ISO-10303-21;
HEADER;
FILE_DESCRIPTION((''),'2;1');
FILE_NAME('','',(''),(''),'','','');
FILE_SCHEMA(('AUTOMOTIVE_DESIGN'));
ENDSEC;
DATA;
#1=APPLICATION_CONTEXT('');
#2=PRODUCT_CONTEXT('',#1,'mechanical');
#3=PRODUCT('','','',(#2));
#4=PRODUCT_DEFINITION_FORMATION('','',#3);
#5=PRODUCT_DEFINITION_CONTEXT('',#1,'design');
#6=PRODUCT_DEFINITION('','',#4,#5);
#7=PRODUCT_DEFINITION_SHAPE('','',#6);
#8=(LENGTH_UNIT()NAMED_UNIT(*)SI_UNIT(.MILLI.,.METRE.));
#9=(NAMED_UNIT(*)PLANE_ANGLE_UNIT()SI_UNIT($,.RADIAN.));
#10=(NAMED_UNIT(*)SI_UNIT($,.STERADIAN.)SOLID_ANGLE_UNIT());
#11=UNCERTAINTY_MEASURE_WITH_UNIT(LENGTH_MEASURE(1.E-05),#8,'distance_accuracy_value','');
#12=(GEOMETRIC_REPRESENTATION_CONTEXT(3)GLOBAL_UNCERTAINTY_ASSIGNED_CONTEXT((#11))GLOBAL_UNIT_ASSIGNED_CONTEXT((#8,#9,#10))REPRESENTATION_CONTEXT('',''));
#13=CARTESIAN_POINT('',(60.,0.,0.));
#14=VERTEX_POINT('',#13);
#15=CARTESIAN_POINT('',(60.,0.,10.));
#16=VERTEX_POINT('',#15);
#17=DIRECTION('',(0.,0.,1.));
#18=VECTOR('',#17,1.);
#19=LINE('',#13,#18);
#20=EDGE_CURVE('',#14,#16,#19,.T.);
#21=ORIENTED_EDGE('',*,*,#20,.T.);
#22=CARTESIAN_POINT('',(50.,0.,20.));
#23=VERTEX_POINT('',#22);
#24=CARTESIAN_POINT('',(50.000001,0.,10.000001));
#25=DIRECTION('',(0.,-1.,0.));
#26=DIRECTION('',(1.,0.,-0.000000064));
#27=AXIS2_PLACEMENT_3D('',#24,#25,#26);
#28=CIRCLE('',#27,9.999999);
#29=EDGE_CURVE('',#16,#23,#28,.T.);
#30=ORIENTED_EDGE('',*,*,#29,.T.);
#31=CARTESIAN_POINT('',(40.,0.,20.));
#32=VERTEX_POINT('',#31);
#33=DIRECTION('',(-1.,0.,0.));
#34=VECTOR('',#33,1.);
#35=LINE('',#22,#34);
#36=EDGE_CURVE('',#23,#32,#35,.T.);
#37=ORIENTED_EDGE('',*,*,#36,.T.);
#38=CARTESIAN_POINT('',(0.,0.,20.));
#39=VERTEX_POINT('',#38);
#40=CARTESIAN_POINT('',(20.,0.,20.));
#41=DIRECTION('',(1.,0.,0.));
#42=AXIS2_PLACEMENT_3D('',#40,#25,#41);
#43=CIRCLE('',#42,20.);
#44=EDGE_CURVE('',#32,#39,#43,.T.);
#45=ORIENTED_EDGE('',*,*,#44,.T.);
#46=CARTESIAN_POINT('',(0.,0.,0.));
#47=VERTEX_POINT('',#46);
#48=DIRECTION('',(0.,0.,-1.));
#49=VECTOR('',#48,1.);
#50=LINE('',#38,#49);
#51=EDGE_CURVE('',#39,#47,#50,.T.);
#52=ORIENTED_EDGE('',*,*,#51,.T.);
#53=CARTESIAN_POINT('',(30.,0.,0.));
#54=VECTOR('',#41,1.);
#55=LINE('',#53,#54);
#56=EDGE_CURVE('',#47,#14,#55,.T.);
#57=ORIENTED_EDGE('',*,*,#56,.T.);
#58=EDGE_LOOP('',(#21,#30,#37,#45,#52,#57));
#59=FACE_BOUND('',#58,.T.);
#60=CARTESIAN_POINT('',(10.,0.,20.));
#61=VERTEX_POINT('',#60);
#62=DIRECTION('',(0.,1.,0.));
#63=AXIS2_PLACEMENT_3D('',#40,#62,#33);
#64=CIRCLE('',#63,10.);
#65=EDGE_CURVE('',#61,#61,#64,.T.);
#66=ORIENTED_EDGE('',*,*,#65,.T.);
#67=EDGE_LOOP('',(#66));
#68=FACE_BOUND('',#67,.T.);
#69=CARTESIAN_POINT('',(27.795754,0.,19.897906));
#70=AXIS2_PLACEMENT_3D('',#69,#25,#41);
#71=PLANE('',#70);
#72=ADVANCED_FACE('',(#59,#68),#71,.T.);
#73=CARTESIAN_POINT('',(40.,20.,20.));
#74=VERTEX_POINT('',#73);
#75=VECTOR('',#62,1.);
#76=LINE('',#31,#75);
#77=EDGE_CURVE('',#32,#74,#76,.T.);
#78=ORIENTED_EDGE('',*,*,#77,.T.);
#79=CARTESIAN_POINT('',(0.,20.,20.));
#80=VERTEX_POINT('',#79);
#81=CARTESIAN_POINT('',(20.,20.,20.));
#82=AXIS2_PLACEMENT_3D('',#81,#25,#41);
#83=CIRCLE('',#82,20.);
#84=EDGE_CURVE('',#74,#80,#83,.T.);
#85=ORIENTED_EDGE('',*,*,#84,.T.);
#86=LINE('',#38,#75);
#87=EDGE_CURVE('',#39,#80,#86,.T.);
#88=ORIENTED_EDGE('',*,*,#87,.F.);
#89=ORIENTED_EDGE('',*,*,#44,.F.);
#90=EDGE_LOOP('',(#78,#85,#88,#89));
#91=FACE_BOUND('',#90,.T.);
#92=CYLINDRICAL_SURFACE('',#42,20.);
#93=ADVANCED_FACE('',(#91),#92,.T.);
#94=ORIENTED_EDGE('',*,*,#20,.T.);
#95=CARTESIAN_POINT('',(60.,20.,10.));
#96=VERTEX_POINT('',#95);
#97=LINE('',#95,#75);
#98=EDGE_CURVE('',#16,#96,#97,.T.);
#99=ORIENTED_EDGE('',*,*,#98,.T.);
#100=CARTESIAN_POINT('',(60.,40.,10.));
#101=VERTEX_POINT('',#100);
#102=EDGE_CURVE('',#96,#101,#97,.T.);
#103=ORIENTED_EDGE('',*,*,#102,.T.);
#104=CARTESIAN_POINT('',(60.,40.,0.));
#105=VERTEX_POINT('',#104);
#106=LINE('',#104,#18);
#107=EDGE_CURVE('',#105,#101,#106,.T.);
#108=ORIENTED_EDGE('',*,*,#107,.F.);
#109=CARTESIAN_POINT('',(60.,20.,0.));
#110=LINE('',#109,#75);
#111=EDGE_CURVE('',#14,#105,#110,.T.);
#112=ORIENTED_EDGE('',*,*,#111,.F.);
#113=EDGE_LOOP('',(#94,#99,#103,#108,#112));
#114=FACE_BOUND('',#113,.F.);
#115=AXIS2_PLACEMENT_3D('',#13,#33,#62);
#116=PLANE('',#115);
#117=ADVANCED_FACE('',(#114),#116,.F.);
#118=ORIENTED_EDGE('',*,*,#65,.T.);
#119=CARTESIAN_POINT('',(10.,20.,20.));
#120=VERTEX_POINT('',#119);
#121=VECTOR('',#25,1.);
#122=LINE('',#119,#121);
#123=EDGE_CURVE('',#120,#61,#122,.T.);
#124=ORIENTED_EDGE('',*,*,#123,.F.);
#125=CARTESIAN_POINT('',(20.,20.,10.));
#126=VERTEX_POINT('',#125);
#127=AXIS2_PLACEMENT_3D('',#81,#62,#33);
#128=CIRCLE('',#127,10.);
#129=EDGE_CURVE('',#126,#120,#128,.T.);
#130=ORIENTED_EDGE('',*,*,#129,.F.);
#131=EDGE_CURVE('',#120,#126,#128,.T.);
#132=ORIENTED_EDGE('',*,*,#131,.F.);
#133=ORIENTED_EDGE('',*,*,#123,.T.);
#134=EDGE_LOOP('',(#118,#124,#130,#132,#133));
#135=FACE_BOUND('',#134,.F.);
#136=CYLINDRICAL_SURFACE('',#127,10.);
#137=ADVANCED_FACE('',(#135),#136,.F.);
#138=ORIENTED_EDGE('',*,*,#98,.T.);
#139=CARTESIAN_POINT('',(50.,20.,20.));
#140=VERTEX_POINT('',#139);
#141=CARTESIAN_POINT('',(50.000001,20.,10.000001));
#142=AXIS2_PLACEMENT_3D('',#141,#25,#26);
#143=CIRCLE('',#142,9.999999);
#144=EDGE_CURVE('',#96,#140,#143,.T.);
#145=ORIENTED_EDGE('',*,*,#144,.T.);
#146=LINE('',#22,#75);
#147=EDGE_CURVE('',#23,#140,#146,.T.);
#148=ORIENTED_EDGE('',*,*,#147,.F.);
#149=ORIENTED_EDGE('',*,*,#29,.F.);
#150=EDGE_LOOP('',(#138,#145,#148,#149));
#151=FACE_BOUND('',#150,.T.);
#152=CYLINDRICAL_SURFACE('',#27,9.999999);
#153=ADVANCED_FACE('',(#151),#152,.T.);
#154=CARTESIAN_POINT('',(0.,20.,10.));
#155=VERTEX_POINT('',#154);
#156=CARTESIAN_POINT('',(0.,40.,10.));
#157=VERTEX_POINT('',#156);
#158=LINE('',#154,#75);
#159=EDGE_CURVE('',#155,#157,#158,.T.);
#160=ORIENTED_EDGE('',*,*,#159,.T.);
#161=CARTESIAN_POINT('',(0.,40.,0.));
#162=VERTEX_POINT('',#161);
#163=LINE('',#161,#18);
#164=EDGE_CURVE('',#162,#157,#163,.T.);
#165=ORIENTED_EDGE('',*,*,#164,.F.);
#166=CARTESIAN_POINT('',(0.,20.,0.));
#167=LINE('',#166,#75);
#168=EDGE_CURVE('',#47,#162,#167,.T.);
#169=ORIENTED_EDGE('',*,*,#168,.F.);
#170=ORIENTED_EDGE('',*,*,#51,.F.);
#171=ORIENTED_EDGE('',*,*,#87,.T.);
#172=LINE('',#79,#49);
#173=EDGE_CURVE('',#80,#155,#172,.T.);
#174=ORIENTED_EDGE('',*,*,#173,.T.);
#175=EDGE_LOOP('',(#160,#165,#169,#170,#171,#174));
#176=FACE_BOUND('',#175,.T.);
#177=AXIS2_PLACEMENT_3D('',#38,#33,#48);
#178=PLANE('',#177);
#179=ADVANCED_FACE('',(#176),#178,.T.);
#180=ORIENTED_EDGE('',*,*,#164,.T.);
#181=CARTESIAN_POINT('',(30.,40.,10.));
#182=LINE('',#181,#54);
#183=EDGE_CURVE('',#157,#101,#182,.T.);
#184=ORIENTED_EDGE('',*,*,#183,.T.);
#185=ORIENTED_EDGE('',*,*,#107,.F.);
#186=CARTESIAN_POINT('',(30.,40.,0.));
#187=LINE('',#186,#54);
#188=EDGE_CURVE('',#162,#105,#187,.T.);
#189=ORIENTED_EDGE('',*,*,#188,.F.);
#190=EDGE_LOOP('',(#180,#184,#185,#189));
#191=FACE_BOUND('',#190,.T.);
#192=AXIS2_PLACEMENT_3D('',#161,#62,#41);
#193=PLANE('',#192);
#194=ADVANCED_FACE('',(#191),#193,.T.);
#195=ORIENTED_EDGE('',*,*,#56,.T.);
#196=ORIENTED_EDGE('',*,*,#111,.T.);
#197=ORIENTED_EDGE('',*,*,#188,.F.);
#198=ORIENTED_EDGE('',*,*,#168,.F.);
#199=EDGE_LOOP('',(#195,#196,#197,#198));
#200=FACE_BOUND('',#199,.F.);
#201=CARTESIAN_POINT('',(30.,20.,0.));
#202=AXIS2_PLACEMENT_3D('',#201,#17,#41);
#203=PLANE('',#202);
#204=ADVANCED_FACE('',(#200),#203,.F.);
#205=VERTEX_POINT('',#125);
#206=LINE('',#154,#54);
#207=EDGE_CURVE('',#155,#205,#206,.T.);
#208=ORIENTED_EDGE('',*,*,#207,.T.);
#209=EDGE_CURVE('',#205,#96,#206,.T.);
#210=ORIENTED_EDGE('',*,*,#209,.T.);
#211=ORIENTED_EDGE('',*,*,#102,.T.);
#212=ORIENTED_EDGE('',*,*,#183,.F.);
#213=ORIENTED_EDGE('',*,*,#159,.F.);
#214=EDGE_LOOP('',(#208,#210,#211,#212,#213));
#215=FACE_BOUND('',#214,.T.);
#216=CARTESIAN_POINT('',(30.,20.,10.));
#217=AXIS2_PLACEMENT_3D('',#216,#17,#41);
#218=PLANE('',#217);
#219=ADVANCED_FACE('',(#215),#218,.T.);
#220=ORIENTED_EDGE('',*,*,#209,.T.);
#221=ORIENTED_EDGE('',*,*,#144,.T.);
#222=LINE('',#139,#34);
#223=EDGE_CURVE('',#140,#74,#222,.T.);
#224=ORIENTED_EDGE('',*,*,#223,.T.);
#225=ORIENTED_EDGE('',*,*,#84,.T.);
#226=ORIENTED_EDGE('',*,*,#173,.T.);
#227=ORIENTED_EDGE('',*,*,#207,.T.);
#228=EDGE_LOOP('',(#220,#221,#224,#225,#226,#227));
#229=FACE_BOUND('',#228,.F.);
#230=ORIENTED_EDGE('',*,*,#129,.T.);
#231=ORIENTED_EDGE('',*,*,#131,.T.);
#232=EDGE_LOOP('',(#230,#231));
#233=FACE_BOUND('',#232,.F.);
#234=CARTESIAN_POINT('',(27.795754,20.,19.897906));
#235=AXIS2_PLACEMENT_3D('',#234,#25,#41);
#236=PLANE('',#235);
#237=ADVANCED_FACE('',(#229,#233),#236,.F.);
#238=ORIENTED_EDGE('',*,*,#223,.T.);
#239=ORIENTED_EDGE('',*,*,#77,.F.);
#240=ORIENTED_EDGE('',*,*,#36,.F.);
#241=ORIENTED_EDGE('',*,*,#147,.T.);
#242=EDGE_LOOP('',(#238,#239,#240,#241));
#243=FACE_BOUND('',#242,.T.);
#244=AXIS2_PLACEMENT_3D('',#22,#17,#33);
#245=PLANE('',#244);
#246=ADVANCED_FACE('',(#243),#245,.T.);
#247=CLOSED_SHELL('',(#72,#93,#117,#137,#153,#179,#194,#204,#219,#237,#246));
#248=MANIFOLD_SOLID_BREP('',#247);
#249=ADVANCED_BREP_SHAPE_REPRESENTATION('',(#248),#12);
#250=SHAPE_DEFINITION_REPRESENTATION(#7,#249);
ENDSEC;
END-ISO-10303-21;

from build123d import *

# Parameters (mm, degrees)
F0_W     = 60
F0_H     = 40
F1_DEPTH = 10
F3_DEPTH = 20
F4_R     = 10
F5_DEPTH = 25


with BuildPart() as f1:
    # F0 (on Top) → F1 (new body)
    with BuildSketch(Plane.XY):
        with Locations((30, 20)):
            Rectangle(F0_W, F0_H)
    extrude(amount=F1_DEPTH)

    # F2 (on face) → F3 (join)
    with BuildSketch(Plane.XZ):
        with BuildLine():
            Line((50, 20), (40, 20))
            ThreePointArc((40, 20), (20, 40), (0, 20))
            Line((0, 20), (0, 10))
            Line((0, 10), (60, 10))
            ThreePointArc((60, 10), (57.071068, 17.071068), (50, 20))
        make_face()
    extrude(amount=-F3_DEPTH)

    # F4 (on face) → F5 (cut)
    with BuildSketch(Plane(origin=(0, 20, 0), x_dir=(-1, 0, 0), z_dir=(0, 1, 0))):
        with Locations((-20, 20)):
            Circle(F4_R)
    extrude(amount=-F5_DEPTH, mode=Mode.SUBTRACT)


solid = f1.part
